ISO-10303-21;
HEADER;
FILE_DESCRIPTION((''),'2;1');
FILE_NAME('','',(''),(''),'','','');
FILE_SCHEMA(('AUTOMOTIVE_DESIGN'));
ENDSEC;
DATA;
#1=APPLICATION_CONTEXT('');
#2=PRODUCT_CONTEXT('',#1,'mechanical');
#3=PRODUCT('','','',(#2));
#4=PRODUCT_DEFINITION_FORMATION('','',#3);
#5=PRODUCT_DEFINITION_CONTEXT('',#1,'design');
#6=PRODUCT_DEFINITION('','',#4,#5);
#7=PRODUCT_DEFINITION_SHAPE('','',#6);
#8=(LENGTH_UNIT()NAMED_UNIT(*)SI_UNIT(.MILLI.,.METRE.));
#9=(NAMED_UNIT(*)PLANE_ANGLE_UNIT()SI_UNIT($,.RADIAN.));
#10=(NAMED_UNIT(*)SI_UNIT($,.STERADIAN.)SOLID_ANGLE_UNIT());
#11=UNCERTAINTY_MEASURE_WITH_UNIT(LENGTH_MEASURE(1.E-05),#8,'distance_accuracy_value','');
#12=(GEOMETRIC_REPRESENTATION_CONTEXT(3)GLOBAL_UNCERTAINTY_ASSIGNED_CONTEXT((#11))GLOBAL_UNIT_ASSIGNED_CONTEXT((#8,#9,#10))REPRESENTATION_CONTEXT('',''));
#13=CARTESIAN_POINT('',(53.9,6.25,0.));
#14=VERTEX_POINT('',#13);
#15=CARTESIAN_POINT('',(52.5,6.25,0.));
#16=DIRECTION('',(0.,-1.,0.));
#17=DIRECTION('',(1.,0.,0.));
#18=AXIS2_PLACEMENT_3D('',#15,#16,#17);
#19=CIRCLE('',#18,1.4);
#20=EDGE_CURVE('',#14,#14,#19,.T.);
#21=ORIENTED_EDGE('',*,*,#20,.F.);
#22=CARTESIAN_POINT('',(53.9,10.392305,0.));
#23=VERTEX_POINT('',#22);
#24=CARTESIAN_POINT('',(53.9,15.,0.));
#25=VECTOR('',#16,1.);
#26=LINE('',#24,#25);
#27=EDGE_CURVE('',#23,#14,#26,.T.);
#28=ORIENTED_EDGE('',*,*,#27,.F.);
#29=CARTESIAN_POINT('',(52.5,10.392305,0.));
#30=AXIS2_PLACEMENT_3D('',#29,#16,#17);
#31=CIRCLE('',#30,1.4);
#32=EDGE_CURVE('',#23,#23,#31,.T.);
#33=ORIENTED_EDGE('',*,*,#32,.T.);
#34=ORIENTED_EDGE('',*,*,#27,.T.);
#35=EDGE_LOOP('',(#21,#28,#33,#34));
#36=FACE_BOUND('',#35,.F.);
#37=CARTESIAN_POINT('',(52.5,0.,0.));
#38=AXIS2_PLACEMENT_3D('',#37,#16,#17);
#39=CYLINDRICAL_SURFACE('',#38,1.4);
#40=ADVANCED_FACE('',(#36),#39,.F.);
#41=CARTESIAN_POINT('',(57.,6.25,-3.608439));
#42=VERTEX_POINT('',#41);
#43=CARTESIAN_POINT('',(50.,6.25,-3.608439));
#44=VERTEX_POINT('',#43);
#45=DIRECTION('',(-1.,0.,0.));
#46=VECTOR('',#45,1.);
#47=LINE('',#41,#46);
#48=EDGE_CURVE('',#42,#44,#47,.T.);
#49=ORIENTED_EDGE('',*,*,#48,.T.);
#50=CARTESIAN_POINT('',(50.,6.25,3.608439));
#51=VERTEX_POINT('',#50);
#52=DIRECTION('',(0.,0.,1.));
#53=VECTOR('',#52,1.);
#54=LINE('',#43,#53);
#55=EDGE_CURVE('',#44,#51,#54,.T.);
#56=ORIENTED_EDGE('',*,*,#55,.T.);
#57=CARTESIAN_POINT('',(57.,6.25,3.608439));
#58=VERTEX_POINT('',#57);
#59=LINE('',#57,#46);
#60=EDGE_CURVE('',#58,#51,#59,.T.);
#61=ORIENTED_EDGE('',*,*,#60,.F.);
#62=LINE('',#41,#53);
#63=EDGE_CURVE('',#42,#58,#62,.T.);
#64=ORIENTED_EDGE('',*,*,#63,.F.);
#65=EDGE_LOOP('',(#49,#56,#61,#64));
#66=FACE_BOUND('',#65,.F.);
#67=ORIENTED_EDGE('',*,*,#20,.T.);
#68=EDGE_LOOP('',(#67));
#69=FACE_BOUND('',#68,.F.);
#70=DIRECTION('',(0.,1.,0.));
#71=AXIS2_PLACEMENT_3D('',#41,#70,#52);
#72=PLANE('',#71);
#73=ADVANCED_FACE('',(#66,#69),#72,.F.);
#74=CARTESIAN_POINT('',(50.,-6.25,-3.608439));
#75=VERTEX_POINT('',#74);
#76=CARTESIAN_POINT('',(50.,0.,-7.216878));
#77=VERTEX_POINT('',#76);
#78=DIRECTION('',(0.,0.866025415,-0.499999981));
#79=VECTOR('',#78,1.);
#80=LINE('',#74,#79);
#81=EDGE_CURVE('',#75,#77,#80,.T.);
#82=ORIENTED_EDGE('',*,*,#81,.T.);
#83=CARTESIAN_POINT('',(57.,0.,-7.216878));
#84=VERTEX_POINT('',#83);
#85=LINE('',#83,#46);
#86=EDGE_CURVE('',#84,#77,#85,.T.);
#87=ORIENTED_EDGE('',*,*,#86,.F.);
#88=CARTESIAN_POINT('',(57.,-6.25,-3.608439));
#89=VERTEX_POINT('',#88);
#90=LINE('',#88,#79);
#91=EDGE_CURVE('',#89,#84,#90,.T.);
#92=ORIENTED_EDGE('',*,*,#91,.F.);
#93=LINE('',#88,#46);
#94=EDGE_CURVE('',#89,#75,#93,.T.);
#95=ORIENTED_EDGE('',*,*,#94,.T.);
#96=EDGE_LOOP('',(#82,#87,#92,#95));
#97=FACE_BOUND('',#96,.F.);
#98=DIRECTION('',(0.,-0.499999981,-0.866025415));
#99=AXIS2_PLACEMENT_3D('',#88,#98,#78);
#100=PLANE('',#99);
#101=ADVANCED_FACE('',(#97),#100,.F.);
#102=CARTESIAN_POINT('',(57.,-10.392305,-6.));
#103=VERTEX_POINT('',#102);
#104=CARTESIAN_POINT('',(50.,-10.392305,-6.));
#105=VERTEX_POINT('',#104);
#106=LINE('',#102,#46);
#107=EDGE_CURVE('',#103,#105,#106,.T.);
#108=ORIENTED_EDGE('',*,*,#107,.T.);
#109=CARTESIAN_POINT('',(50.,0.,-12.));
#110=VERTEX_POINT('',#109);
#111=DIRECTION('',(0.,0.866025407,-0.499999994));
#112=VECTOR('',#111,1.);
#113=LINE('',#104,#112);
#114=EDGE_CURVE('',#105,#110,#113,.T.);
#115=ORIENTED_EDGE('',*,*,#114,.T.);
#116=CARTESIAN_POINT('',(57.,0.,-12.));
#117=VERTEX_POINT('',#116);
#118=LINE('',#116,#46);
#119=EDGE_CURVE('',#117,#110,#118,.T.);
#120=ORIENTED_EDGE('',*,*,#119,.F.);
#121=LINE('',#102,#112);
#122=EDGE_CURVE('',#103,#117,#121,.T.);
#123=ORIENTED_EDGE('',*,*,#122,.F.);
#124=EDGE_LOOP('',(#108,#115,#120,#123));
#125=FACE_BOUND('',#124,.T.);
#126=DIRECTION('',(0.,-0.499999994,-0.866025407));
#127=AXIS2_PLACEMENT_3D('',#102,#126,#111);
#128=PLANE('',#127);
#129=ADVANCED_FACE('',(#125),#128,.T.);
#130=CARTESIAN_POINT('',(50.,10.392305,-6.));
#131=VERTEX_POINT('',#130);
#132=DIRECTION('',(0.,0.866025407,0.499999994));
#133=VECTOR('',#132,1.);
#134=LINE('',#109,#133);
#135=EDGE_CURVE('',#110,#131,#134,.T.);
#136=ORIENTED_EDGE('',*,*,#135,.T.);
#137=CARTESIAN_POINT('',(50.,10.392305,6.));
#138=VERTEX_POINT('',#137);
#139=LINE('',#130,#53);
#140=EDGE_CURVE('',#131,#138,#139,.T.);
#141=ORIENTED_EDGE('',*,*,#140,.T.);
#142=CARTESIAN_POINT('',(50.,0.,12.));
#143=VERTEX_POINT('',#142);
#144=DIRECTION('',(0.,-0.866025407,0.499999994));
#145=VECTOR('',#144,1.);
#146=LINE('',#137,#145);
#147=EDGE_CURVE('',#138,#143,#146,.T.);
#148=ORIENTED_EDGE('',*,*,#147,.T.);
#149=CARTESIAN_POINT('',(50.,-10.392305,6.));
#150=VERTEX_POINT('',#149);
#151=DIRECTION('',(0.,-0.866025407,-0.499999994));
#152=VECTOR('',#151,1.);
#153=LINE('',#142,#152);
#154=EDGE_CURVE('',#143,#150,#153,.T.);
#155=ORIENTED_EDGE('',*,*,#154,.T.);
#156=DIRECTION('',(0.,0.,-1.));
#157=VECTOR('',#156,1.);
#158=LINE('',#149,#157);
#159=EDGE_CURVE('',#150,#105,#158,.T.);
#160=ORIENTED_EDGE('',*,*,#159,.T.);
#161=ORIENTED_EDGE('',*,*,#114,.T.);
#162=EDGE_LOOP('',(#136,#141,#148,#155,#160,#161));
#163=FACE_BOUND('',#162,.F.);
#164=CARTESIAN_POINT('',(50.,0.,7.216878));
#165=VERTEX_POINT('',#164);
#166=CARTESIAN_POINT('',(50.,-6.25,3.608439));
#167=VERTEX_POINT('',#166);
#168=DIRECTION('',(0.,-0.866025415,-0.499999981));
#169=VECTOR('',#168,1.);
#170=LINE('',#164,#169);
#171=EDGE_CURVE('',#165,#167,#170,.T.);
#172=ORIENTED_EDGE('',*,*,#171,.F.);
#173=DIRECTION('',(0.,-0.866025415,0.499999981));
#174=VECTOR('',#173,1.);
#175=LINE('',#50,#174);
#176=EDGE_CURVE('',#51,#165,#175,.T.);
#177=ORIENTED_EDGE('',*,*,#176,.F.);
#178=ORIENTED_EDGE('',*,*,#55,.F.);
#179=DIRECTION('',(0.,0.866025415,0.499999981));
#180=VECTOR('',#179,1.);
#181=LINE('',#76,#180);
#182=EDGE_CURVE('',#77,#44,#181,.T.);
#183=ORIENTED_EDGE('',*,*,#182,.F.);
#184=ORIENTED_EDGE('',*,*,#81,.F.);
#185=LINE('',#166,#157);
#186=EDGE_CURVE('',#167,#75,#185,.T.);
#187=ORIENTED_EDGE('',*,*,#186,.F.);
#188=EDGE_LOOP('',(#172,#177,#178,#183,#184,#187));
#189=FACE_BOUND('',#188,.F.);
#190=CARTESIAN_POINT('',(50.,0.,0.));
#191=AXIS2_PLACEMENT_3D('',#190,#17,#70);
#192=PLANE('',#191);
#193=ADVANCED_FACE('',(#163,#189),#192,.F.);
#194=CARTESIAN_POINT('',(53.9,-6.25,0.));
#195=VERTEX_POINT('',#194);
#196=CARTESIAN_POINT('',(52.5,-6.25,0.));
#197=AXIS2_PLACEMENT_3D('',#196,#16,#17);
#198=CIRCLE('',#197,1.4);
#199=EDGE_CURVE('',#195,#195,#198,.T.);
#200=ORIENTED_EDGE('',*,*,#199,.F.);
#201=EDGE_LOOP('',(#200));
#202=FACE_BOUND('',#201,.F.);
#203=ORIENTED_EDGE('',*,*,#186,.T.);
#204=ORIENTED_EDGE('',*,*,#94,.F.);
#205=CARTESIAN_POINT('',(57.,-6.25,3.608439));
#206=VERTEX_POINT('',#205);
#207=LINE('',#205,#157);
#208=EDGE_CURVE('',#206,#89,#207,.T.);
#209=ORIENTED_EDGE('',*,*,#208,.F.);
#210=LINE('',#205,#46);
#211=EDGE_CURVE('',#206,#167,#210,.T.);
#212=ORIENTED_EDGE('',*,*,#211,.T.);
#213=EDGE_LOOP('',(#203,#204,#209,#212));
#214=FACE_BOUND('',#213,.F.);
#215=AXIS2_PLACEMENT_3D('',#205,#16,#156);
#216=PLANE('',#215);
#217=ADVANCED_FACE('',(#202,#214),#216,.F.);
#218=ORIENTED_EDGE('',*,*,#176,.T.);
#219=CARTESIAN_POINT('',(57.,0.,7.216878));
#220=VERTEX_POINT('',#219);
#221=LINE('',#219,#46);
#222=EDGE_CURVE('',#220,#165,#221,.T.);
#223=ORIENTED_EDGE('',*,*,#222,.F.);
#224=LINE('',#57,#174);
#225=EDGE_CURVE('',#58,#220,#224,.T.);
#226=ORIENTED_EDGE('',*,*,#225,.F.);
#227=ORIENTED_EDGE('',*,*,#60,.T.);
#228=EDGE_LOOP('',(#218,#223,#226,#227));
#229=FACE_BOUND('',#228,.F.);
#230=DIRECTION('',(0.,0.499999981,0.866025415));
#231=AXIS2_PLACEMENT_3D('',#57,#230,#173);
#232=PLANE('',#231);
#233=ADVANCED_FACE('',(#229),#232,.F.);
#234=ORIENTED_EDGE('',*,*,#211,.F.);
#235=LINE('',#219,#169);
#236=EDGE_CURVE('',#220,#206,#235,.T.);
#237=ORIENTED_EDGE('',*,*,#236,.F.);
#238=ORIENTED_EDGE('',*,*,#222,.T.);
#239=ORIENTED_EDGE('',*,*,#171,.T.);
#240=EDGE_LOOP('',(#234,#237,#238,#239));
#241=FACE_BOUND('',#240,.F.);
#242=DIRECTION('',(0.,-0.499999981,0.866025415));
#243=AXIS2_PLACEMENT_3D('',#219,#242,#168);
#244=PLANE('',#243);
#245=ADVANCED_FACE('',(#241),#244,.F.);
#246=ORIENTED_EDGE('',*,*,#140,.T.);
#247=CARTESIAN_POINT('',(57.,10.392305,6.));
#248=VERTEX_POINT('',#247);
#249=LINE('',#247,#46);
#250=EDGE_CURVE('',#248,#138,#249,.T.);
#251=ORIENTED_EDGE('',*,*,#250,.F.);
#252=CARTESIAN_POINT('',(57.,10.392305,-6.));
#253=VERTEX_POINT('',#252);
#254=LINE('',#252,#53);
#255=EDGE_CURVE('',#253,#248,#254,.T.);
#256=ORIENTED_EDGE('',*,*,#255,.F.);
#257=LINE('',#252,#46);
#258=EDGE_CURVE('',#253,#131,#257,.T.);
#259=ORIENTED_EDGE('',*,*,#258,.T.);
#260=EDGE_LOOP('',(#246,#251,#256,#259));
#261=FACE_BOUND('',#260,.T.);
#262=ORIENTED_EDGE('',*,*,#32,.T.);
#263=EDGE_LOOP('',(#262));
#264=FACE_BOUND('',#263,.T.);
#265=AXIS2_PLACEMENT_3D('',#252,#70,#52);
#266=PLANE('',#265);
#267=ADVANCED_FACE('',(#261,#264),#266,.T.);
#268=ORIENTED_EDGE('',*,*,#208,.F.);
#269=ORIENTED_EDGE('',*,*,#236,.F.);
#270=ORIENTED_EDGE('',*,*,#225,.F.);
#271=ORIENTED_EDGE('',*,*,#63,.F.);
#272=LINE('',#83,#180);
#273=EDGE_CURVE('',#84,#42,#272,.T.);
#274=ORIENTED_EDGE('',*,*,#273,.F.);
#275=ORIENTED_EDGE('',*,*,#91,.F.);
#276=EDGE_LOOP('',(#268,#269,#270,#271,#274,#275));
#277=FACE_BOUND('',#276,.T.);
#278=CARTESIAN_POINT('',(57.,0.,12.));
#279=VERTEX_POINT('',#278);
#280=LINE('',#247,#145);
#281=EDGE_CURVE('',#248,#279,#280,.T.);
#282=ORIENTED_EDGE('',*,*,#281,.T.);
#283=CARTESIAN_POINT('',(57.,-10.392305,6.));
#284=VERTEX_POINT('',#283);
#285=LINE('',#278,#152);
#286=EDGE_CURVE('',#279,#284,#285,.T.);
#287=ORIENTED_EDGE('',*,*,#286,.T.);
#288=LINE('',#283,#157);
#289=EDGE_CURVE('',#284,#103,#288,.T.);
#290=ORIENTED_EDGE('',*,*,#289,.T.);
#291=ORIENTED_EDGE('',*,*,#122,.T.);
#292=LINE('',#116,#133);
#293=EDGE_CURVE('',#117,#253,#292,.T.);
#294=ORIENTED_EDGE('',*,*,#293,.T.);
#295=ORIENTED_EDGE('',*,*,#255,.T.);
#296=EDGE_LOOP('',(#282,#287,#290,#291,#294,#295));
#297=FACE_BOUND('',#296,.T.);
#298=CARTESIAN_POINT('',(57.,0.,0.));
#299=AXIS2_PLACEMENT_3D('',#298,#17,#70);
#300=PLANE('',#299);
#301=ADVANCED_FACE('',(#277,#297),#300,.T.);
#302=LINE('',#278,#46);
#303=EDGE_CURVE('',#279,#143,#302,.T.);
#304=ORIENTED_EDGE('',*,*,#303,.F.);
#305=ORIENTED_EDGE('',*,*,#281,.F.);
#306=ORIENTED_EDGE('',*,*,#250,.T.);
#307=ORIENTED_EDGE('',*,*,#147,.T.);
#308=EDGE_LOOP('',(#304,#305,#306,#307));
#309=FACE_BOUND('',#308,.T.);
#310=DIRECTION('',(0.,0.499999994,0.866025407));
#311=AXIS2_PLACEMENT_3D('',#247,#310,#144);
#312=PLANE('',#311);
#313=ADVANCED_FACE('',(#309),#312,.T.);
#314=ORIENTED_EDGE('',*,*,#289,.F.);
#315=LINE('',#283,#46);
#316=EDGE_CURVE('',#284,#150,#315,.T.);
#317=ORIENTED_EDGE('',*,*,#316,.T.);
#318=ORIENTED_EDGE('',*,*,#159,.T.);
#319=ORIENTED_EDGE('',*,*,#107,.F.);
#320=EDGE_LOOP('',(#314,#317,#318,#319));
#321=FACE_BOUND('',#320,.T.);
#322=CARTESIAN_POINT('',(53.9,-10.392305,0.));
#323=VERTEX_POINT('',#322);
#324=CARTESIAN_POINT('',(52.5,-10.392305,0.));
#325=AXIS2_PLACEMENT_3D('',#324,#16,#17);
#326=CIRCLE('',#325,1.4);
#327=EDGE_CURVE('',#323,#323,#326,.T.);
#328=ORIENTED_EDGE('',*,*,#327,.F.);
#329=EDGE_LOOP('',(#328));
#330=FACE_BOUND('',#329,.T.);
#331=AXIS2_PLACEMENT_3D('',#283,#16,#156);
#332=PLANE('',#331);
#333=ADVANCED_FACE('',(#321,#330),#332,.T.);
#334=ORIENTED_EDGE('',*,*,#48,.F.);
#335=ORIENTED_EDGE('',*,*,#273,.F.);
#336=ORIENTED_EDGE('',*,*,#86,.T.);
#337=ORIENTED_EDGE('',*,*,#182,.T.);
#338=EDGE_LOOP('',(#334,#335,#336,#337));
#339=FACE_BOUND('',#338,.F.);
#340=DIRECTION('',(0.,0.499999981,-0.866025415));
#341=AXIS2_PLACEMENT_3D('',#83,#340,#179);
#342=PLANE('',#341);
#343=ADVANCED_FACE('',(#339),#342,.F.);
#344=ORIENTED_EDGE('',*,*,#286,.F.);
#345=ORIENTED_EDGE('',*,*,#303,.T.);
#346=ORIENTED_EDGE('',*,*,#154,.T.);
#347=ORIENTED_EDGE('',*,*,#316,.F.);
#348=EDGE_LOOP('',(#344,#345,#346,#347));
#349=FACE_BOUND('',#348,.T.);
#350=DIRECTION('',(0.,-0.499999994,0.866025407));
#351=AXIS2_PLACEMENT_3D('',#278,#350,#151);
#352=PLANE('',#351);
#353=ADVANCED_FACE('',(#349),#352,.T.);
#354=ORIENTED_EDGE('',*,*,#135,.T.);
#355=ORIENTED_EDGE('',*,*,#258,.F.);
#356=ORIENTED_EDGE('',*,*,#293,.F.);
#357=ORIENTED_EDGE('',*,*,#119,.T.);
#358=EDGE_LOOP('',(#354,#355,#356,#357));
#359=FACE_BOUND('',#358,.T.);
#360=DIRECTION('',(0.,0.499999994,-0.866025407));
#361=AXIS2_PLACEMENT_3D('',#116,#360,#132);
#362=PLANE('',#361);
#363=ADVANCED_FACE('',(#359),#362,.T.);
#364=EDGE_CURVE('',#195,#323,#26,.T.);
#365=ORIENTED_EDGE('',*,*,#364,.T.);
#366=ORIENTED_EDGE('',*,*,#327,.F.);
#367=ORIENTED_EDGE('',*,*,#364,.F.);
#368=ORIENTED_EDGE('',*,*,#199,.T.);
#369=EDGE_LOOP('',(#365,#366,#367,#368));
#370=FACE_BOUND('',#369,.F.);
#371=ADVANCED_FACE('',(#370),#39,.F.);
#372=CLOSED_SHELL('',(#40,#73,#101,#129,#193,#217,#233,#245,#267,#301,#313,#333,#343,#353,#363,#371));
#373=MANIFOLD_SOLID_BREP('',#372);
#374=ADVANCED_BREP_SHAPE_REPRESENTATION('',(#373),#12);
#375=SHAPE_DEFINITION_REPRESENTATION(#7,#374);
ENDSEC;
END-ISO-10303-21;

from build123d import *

# Parameters (mm, degrees)
SKETCH214_R     = 1.4
PAD127050_DEPTH = 15
PAD127042_DEPTH = 7


with BuildPart() as pad127050:
    # Sketch214 → Pad127050 (new body, symmetric)
    with BuildSketch(Plane(origin=(75, 0, 0), x_dir=(1, 0, 0), z_dir=(0, -1, 0))):
        with Locations((-22.5, 0)):
            Circle(SKETCH214_R)
    extrude(amount=PAD127050_DEPTH, both=True)


with BuildPart() as wheelcollar:
    # Sketch206 → Pad127042 (new body)
    with BuildSketch(Plane.YZ.offset(57)):
        Polygon((0, 12), (-10.392305, 6), (-10.392305, -6), (0, -12), (10.392305, -6), (10.392305, 6), align=None)
        Polygon((6.25, 3.608439), (0, 7.216878), (-6.25, 3.608439), (-6.25, -3.608439), (0, -7.216878), (6.25, -3.608439), align=None, mode=Mode.SUBTRACT)
    extrude(amount=-PAD127042_DEPTH)

    # Cut007019027: cut Pad127050
    add(pad127050.part, mode=Mode.SUBTRACT)


solid = wheelcollar.part
